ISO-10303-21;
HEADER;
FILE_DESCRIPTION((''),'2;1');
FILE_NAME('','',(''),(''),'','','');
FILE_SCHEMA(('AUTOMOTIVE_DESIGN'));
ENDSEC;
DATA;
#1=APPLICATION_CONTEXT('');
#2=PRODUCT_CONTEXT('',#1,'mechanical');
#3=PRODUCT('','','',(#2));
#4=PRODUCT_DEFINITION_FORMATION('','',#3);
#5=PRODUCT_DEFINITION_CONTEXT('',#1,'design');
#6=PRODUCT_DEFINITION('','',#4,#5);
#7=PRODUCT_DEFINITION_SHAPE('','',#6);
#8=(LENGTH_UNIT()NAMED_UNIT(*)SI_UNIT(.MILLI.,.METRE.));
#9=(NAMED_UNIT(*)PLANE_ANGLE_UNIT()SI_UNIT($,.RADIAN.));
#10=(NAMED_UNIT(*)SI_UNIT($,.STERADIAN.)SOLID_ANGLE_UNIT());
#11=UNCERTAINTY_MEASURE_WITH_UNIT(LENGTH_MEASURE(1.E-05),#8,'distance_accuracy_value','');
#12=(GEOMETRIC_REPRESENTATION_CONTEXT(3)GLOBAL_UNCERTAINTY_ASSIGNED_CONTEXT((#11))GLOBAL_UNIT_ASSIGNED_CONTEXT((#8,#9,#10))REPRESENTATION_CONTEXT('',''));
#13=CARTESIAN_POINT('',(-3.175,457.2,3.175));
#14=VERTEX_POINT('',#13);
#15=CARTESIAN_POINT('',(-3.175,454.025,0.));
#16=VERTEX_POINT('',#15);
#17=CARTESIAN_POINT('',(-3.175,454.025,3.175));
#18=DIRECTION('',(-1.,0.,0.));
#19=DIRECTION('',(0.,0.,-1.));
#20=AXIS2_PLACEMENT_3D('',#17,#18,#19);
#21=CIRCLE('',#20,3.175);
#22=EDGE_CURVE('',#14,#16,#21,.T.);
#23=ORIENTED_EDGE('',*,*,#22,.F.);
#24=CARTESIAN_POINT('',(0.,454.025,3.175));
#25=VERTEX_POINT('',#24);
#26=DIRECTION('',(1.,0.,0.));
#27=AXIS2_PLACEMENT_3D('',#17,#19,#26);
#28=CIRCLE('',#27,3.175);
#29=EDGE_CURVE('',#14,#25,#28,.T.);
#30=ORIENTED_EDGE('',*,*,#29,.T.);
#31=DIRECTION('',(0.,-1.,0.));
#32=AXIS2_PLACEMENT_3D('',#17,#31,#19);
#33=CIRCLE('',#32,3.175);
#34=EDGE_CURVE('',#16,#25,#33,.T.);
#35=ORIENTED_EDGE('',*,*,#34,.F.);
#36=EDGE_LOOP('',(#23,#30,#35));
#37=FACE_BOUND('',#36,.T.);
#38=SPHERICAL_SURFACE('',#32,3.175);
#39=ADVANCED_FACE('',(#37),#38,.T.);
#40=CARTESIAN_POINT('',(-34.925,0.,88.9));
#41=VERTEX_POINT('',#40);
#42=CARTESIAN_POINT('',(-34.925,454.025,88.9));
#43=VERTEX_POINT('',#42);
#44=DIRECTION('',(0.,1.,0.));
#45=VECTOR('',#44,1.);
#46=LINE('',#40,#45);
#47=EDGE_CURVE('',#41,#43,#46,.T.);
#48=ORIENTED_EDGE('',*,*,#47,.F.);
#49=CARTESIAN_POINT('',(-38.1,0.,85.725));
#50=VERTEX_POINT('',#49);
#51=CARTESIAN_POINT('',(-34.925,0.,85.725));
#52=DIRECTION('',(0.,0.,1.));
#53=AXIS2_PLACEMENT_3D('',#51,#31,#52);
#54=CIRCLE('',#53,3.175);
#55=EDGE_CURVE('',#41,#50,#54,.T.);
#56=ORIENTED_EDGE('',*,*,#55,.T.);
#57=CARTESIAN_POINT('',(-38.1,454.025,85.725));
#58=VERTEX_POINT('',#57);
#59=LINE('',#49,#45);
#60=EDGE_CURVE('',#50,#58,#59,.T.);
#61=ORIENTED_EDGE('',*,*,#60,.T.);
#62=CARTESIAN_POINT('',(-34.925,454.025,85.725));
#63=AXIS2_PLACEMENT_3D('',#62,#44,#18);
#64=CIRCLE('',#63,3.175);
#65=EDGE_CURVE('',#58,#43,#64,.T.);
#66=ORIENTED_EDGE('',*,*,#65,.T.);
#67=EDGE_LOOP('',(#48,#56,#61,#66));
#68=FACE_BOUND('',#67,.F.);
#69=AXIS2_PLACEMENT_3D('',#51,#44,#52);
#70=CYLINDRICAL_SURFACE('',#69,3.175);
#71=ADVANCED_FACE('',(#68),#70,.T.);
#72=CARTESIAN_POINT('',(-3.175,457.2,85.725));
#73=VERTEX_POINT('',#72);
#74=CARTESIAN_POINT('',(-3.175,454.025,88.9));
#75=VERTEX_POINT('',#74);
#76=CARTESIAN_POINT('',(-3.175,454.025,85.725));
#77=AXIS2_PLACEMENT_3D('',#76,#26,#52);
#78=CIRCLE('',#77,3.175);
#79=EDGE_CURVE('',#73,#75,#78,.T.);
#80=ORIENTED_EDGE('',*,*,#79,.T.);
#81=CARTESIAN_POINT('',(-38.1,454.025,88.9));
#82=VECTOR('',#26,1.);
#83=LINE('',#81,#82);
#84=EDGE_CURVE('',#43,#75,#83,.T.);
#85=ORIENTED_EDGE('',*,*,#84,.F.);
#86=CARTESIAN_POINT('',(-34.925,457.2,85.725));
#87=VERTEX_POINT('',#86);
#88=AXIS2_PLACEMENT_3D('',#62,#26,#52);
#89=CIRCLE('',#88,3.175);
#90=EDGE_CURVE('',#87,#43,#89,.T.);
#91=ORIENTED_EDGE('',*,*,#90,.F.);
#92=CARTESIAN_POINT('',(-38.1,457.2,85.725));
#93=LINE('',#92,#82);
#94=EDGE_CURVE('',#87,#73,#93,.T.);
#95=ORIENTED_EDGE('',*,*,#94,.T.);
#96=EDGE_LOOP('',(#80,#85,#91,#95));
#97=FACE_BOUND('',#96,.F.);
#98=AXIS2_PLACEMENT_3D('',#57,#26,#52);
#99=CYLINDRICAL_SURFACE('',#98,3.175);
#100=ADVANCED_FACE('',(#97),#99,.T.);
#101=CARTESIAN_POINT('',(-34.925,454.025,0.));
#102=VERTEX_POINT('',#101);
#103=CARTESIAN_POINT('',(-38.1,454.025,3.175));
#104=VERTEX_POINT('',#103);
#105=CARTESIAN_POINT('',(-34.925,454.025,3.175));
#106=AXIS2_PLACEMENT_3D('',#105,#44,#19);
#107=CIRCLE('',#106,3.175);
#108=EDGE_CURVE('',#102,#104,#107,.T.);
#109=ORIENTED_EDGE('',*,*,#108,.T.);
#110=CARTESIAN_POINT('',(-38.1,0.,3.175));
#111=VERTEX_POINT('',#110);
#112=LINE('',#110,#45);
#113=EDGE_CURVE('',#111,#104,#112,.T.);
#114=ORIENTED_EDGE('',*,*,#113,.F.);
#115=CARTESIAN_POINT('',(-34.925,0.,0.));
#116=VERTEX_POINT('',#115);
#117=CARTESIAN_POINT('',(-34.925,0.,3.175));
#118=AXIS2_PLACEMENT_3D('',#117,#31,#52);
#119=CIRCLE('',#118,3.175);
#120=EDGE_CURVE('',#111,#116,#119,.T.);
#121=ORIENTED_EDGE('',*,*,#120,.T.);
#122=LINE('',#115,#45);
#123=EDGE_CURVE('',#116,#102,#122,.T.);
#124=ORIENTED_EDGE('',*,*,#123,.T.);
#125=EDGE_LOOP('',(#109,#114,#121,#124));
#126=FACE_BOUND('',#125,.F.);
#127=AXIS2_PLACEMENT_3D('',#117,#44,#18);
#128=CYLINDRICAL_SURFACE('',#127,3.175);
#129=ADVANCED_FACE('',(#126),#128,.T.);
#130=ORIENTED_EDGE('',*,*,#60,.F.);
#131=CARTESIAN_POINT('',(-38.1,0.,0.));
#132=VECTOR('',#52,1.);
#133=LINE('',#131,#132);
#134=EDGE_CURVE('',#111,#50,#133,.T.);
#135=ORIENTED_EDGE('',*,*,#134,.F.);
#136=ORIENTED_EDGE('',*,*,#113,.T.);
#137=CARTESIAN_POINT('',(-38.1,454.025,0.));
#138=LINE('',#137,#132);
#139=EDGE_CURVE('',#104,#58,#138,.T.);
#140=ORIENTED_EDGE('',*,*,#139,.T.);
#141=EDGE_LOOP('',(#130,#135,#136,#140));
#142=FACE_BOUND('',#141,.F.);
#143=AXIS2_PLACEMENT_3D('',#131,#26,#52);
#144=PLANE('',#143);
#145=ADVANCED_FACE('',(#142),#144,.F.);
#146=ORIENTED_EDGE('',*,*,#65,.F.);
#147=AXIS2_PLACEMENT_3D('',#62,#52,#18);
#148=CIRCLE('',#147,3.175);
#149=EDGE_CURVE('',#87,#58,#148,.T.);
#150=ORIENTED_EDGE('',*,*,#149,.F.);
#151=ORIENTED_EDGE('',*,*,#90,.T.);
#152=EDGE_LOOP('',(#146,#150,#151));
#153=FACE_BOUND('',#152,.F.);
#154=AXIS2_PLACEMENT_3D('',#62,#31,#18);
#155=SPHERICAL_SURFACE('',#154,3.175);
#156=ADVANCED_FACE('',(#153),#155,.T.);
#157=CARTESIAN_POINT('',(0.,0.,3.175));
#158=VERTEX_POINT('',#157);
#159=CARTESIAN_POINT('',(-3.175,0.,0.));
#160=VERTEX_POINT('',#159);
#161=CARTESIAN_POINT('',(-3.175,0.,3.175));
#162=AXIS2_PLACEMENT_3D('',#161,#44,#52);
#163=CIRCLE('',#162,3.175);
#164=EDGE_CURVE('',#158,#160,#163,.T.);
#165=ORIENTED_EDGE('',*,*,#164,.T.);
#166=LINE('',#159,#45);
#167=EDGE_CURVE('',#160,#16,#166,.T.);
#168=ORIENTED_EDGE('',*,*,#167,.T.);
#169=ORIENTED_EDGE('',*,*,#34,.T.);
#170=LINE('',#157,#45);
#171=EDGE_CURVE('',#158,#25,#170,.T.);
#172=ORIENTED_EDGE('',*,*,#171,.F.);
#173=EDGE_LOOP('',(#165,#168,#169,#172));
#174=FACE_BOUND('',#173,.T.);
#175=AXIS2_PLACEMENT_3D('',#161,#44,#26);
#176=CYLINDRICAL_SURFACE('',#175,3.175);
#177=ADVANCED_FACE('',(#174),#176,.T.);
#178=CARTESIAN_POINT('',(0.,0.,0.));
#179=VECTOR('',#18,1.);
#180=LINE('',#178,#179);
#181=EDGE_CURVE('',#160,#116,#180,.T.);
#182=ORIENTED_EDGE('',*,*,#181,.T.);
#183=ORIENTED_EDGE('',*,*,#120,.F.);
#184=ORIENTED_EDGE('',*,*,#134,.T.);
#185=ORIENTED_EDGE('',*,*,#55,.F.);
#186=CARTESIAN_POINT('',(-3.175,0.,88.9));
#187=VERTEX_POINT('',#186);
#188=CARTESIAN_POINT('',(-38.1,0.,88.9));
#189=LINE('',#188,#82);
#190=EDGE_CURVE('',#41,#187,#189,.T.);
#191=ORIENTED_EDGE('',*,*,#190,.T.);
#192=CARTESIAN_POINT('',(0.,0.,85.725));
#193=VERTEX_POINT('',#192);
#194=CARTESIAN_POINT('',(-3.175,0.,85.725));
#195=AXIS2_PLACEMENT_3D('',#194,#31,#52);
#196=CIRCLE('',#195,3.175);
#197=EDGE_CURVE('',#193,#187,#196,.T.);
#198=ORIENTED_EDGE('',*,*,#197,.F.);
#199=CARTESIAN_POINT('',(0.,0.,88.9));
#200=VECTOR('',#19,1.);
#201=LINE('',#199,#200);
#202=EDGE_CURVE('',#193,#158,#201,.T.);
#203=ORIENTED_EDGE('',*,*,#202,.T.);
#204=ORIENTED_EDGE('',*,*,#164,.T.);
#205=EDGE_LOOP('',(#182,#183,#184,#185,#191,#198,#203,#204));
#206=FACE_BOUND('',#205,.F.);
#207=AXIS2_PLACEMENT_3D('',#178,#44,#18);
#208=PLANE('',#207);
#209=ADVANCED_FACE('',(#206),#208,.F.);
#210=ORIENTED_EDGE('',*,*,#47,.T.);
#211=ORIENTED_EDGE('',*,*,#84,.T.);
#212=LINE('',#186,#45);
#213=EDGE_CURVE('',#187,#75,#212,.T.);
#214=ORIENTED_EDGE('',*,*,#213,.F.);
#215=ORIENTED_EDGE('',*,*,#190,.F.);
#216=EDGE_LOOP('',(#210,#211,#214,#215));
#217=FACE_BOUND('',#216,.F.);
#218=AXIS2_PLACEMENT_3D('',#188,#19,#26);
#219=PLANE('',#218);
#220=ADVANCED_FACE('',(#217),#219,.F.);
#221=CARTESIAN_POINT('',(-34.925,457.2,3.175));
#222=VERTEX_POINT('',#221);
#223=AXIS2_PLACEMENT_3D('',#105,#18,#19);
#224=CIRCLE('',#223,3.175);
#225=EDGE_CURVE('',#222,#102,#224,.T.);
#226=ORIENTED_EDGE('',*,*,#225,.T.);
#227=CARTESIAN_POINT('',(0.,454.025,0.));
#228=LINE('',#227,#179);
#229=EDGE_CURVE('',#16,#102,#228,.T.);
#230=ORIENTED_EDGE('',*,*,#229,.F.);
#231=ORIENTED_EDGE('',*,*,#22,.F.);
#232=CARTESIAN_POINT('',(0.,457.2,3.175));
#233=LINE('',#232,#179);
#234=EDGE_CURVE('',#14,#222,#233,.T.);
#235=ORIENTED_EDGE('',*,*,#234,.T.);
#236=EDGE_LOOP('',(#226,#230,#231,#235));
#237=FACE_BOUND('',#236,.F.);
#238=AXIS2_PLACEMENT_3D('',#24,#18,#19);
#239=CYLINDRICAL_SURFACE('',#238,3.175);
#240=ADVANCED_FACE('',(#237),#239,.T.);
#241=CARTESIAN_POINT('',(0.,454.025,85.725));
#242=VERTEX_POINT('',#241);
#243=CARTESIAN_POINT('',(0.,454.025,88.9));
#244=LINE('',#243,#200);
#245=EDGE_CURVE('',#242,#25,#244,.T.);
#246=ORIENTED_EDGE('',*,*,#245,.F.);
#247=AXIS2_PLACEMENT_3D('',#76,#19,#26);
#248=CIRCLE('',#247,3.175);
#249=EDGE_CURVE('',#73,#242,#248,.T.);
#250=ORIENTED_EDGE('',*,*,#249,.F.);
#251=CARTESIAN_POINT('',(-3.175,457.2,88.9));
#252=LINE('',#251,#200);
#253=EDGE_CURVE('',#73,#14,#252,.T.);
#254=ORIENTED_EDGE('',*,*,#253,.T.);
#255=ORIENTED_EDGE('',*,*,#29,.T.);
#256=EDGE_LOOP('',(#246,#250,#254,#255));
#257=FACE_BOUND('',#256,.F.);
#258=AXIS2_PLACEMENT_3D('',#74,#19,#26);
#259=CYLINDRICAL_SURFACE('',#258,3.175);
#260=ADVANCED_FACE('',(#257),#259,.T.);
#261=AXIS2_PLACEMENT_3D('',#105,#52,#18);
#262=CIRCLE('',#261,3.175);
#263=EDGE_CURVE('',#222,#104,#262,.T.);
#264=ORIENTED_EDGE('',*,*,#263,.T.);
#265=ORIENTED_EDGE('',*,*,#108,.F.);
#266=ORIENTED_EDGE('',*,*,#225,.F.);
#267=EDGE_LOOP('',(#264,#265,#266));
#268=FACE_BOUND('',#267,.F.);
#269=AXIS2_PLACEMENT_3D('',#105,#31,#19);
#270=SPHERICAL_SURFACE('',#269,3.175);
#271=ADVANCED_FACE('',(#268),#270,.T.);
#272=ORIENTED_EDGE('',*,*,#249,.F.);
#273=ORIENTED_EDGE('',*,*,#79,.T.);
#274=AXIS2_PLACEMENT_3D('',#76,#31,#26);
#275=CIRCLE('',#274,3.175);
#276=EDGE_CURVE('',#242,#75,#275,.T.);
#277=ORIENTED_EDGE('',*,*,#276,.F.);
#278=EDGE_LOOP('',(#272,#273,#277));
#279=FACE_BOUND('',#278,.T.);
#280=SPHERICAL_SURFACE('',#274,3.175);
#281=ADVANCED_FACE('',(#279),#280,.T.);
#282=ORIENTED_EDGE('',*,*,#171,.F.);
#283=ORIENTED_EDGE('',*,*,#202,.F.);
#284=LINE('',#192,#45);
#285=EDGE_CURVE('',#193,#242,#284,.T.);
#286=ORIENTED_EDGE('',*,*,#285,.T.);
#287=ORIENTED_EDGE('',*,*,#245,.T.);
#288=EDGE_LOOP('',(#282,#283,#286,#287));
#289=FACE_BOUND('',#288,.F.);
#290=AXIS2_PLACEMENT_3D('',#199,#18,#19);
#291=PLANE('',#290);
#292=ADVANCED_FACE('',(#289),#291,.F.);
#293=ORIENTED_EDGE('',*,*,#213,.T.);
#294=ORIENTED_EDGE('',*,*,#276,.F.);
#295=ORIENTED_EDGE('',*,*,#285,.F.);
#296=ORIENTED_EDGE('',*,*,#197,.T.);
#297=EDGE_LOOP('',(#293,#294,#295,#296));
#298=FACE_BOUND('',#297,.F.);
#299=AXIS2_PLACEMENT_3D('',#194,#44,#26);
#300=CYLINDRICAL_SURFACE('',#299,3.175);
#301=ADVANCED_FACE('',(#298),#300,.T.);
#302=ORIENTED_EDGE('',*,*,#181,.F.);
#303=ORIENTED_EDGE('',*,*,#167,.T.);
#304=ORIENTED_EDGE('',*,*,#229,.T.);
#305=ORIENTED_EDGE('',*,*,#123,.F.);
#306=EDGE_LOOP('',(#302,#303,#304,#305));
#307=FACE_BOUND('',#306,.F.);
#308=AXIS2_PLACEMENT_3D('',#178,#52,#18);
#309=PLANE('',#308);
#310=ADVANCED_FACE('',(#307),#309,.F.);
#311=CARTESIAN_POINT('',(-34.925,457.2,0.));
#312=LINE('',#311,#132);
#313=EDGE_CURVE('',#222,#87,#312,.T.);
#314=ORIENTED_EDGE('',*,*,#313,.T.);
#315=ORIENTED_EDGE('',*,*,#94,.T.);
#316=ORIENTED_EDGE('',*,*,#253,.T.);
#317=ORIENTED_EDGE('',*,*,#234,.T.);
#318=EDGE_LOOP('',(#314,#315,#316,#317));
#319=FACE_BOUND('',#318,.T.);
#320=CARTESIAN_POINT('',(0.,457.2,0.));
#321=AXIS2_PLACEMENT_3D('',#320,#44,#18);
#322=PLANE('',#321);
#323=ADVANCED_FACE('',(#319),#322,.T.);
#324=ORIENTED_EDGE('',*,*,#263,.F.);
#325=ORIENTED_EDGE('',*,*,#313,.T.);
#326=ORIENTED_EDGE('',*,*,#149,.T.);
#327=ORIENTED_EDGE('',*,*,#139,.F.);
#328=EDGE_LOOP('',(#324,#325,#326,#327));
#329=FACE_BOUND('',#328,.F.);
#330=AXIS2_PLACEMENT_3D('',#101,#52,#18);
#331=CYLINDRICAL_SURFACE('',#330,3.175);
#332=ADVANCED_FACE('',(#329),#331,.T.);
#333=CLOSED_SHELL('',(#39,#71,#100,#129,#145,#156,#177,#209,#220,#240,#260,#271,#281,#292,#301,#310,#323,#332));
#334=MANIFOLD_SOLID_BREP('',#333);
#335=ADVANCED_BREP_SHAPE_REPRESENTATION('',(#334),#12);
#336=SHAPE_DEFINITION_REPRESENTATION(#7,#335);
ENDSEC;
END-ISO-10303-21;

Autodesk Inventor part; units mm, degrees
ref_plane "YZ Plane" through (0, 0, 0) normal (1, 0, 0) x (0, 1, 0)
ref_plane "XZ Plane" through (0, 0, 0) normal (0, 1, 0) x (-1, 0, 0)
ref_plane "XY Plane" through (0, 0, 0) normal (0, 0, 1) x (1, 0, 0)
sketch "Sketch1" plane through (0, 0, 0) normal (0, 1, 0) x (-1, 0, 0)
  line L0 (0, 0) -> (38.1, 0)
  line L1 (38.1, 0) -> (38.1, 88.9)
  line L2 (38.1, 88.9) -> (0, 88.9)
  line L3 (0, 88.9) -> (0, 0)
  dimension "d0" = 38.1
  dimension "d1" = 88.9
extrude "Extrusion1" add sketch "Sketch1" along normal blind 457.2
fillet "Fillet1" radius 3.175 8 edges at (0, 228.6, 88.9) (-38.1, 228.6, 88.9) (0, 228.6, 0) (-38.1, 228.6, 0) (-19.05, 457.2, 0) (0, 457.2, 44.45) (-38.1, 457.2, 44.45) (-19.05, 457.2, 88.9)
properties part number "Barren Stand"
